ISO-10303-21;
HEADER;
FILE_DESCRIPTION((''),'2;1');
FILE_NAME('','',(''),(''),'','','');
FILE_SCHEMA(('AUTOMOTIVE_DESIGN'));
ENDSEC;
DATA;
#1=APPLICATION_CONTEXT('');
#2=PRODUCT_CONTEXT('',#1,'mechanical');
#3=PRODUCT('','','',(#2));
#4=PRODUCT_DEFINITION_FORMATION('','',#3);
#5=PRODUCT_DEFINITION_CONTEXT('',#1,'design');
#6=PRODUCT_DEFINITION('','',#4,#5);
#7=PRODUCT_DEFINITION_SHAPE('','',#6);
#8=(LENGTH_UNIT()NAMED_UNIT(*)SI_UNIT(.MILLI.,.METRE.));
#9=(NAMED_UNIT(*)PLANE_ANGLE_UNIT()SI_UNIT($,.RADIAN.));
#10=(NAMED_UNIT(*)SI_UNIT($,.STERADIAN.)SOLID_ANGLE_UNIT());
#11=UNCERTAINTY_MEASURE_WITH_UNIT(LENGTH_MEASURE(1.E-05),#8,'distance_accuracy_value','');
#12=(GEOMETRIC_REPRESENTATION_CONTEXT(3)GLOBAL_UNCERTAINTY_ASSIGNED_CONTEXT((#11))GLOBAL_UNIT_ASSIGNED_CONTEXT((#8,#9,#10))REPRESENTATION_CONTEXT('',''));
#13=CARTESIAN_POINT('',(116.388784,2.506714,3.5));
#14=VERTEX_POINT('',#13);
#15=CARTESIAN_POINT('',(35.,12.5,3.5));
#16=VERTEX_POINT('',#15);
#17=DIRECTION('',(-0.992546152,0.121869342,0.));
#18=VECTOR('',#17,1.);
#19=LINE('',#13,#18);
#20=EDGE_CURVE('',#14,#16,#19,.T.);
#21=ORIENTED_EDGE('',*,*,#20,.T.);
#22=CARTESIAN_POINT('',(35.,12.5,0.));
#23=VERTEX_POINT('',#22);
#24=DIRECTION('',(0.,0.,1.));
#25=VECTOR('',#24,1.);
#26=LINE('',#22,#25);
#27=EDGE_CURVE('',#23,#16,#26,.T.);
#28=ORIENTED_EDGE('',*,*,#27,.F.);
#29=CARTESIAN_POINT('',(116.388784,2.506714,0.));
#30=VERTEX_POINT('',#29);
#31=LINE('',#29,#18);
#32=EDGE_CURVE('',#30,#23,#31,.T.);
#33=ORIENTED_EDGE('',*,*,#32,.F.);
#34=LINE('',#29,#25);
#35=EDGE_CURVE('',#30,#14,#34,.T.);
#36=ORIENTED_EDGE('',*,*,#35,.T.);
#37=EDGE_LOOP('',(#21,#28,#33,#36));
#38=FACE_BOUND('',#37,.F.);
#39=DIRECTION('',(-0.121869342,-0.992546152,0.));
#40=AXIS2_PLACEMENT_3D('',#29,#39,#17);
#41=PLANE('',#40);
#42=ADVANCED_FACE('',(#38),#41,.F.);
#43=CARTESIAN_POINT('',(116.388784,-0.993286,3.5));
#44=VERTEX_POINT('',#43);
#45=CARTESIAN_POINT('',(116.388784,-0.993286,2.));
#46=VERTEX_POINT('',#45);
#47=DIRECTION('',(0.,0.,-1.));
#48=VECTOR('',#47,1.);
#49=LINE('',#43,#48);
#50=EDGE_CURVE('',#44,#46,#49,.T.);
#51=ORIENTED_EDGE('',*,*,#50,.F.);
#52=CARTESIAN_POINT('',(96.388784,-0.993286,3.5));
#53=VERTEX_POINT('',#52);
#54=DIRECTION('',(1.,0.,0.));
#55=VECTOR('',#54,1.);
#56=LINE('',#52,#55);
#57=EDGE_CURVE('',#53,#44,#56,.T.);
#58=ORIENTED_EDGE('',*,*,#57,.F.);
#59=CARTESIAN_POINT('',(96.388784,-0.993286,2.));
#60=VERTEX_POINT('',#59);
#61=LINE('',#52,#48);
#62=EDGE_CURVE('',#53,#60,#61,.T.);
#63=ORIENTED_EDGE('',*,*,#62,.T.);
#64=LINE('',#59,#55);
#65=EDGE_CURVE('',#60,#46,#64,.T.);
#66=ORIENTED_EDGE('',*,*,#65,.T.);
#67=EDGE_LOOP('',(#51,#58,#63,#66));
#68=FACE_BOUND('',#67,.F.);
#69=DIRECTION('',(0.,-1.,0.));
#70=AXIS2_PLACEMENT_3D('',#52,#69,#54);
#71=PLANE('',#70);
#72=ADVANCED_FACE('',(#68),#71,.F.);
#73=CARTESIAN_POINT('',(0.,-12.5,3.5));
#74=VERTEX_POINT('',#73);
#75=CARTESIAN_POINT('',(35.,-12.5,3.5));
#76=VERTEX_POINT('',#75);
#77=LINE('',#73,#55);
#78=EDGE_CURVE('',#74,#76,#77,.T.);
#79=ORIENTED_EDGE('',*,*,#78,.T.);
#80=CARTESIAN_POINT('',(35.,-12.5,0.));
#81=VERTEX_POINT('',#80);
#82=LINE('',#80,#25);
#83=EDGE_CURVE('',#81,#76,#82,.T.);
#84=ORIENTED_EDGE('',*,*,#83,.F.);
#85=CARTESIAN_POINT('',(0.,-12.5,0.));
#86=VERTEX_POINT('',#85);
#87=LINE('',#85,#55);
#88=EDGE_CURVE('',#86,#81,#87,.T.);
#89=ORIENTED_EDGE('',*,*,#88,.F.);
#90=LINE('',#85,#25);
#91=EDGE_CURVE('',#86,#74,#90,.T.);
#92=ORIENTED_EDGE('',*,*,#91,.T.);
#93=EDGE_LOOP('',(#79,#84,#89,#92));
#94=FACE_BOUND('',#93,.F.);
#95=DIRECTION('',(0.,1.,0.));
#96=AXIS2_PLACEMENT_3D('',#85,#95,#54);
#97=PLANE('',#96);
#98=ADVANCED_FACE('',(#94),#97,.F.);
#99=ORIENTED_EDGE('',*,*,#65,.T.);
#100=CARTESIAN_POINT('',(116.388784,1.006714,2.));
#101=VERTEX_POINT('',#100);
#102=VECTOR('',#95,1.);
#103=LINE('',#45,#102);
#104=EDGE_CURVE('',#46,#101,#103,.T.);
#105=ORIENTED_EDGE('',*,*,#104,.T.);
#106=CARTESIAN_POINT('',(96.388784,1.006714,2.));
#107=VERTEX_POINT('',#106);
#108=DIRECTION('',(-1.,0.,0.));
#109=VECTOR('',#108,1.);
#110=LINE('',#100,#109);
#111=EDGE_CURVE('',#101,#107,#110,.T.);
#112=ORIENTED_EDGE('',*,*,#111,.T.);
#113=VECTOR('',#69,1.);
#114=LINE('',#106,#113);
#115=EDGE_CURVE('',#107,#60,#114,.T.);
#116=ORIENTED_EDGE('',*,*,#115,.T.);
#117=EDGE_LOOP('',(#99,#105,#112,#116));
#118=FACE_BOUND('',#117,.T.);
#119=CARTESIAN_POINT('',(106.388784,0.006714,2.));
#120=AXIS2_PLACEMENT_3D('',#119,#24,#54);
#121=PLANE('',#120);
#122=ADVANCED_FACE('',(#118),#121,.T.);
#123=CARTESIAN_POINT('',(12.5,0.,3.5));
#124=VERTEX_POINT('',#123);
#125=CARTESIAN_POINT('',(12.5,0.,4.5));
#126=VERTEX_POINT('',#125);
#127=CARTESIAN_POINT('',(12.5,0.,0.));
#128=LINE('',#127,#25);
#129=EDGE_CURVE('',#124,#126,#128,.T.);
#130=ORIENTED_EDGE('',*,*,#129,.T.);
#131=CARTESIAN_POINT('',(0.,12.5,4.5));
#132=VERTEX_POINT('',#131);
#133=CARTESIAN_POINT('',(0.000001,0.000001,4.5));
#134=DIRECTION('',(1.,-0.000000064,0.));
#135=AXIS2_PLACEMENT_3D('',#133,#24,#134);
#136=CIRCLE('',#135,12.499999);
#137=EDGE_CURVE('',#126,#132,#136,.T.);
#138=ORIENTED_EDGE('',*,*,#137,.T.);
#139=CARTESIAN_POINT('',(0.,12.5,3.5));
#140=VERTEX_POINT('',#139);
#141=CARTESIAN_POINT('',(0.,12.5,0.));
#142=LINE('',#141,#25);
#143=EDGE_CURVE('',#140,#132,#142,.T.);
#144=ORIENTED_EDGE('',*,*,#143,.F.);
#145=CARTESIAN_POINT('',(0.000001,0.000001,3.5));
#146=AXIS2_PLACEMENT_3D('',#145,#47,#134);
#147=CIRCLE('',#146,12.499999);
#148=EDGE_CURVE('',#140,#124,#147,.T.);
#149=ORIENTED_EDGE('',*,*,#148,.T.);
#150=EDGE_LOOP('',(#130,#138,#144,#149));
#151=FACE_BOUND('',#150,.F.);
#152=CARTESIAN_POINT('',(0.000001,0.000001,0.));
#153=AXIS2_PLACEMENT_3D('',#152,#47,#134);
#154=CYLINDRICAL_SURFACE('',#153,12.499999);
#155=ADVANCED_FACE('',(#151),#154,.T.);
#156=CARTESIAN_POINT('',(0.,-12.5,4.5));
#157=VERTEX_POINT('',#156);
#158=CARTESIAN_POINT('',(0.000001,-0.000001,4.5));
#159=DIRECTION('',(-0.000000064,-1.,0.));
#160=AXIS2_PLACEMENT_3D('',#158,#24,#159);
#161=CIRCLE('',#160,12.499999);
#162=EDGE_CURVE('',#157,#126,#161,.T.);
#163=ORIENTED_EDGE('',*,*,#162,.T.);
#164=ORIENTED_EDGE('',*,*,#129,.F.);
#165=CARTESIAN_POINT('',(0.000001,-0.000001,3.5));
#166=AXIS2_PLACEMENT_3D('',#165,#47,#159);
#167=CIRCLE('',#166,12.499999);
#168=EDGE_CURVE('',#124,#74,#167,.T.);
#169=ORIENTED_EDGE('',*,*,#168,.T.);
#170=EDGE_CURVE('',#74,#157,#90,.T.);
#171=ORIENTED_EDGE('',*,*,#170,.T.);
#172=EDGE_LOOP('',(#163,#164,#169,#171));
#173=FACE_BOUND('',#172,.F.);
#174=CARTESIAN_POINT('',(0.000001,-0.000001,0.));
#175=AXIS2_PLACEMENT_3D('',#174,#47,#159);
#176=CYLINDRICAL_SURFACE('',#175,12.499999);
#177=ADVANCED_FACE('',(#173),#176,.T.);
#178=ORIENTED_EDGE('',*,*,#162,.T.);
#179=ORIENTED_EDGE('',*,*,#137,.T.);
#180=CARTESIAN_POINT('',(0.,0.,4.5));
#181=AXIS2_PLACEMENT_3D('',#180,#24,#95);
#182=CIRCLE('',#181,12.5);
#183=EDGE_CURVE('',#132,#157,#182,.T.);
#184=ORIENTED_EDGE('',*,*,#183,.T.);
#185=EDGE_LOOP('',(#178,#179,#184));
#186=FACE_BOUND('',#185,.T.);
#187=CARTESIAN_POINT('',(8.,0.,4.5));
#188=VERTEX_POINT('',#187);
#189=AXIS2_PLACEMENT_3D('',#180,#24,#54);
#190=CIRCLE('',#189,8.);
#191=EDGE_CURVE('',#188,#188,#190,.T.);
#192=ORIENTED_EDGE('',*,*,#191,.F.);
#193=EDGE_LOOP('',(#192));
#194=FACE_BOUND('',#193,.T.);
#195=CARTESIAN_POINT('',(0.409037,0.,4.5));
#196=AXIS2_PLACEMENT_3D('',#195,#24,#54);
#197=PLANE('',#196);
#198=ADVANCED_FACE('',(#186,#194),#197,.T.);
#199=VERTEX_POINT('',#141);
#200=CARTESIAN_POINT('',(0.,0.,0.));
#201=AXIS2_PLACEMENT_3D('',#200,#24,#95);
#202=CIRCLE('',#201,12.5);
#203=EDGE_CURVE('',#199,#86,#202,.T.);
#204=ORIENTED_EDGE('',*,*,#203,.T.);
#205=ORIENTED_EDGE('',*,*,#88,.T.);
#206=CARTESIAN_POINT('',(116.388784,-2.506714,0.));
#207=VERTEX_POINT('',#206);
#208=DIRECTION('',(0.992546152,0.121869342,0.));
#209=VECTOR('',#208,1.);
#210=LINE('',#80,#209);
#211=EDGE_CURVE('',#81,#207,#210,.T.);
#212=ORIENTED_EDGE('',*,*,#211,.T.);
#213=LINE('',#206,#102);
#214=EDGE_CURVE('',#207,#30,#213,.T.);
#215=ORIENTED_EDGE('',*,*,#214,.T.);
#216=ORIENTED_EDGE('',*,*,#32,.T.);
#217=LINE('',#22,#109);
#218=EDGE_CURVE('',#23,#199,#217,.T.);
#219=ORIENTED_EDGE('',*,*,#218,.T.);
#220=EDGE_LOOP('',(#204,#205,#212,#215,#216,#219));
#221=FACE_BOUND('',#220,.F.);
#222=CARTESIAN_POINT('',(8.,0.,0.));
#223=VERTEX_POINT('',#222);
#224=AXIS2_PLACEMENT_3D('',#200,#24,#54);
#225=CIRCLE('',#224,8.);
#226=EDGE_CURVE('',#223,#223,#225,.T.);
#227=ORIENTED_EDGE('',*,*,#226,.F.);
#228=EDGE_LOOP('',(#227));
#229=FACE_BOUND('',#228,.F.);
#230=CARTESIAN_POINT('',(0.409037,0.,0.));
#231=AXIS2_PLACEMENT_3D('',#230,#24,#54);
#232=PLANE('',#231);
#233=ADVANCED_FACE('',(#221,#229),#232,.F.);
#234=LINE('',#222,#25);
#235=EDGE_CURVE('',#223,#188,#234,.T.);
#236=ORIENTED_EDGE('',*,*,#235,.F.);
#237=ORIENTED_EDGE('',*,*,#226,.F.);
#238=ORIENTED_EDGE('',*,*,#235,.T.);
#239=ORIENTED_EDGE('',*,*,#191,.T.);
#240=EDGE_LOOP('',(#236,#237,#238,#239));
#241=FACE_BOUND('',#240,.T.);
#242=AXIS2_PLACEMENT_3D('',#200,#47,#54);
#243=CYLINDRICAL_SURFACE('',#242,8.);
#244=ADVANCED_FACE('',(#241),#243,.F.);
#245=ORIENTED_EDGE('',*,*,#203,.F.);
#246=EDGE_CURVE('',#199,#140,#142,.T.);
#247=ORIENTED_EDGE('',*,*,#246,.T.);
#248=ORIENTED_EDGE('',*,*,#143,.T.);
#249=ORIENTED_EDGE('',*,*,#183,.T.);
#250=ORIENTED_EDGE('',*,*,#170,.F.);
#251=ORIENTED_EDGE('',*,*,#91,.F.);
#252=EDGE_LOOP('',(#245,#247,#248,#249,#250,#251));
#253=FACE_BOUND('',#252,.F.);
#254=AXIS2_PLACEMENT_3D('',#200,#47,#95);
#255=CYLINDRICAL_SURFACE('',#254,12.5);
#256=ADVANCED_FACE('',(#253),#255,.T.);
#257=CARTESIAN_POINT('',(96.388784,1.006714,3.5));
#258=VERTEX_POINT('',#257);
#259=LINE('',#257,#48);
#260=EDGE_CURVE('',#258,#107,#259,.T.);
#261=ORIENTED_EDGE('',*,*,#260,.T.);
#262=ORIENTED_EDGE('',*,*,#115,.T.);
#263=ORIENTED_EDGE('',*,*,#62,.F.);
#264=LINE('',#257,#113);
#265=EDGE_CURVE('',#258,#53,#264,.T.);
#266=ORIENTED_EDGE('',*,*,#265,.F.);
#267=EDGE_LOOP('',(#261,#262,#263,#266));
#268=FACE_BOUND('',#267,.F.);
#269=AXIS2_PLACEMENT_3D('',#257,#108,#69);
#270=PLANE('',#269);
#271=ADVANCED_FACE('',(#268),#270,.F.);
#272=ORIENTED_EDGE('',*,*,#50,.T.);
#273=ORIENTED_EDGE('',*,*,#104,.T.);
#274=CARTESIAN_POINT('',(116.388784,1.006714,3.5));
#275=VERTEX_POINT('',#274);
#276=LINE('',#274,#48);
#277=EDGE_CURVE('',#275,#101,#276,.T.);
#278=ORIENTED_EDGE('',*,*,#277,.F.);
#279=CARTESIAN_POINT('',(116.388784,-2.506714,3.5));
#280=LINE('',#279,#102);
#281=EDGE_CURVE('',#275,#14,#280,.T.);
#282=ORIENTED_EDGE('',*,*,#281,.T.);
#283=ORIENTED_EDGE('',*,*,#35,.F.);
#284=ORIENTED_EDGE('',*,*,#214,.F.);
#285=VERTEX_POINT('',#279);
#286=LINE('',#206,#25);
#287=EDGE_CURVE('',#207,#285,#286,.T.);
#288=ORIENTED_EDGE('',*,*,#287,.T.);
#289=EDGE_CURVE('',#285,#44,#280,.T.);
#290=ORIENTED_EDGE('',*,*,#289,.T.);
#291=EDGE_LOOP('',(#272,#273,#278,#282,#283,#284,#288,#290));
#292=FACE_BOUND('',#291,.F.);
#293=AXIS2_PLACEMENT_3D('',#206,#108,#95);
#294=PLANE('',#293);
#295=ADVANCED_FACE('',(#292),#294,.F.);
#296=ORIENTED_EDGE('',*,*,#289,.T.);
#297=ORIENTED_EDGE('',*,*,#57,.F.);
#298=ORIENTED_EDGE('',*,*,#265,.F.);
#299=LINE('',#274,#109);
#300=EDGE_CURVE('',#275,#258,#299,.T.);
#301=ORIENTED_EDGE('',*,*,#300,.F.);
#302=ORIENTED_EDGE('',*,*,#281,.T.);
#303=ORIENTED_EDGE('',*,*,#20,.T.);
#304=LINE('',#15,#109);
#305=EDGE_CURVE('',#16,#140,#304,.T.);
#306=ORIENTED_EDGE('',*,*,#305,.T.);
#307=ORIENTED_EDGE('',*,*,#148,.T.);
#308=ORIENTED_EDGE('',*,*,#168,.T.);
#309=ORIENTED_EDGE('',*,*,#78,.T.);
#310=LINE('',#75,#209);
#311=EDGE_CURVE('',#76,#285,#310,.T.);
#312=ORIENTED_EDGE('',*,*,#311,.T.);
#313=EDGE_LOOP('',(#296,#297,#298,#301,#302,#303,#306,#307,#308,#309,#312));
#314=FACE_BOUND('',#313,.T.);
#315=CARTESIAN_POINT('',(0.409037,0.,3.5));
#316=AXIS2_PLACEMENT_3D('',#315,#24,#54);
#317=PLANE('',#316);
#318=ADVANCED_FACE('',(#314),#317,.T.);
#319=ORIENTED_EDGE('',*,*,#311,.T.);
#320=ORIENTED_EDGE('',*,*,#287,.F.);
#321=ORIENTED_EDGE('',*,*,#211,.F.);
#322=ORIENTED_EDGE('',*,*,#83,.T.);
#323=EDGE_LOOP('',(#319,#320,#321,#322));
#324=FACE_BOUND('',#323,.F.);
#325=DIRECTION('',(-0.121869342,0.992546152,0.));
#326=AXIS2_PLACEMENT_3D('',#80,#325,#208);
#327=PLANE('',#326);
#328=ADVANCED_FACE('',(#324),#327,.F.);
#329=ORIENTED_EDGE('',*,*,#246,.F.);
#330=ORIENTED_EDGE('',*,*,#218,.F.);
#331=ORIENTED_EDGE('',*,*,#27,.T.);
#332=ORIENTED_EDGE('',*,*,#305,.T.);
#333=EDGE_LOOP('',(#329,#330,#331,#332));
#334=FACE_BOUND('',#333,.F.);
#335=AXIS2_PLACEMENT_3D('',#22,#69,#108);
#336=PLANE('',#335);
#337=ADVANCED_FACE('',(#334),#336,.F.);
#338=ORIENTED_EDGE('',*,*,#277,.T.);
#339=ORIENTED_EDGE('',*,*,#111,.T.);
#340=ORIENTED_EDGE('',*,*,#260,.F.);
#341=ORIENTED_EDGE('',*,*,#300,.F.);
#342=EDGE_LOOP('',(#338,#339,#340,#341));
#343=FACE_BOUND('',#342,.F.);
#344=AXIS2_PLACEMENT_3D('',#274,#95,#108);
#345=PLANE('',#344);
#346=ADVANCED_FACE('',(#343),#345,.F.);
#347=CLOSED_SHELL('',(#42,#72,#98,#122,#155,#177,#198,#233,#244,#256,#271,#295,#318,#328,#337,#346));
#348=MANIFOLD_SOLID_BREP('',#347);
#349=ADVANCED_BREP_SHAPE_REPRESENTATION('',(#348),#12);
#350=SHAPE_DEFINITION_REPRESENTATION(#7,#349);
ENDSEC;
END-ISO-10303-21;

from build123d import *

# Parameters (mm, degrees)
F0_R     = 8
F1_DEPTH = 3.5
F2_DEPTH = 4.5
F4_DEPTH = 1.5


with BuildPart() as f1:
    # F0 (on Top) → F1 (new body)
    with BuildSketch(Plane.XY):
        with BuildLine():
            ThreePointArc((0, -12.5), (8.838835, -8.838835), (12.5, 0))
            ThreePointArc((12.5, 0), (8.838835, 8.838835), (0, 12.5))
            ThreePointArc((0, 12.5), (-12.5, 0), (0, -12.5))
        make_face()
        Circle(F0_R, mode=Mode.SUBTRACT)
        with BuildLine():
            ThreePointArc((0, 12.5), (8.838835, 8.838835), (12.5, 0))
            ThreePointArc((12.5, 0), (8.838835, -8.838835), (0, -12.5))
            Line((0, -12.5), (35, -12.5))
            Line((35, -12.5), (116.388784, -2.506714))
            Line((116.388784, -2.506714), (116.388784, 2.506714))
            Line((116.388784, 2.506714), (35, 12.5))
            Line((35, 12.5), (0, 12.5))
        make_face()
    extrude(amount=F1_DEPTH)

    # F0 (on Top) → F2 (join)
    with BuildSketch(Plane.XY):
        with BuildLine():
            ThreePointArc((0, -12.5), (8.838835, -8.838835), (12.5, 0))
            ThreePointArc((12.5, 0), (8.838835, 8.838835), (0, 12.5))
            ThreePointArc((0, 12.5), (-12.5, 0), (0, -12.5))
        make_face()
        Circle(F0_R, mode=Mode.SUBTRACT)
    extrude(amount=F2_DEPTH)

    # F3 (on face) → F4 (cut)
    with BuildSketch(Plane.XY.offset(3.5)):
        Polygon((116.388784, 0), (116.388784, 1.006714), (96.388784, 1.006714), (96.388784, 0), (96.388784, -0.993286), (116.388784, -0.993286), align=None)
    extrude(amount=-F4_DEPTH, mode=Mode.SUBTRACT)


solid = f1.part
